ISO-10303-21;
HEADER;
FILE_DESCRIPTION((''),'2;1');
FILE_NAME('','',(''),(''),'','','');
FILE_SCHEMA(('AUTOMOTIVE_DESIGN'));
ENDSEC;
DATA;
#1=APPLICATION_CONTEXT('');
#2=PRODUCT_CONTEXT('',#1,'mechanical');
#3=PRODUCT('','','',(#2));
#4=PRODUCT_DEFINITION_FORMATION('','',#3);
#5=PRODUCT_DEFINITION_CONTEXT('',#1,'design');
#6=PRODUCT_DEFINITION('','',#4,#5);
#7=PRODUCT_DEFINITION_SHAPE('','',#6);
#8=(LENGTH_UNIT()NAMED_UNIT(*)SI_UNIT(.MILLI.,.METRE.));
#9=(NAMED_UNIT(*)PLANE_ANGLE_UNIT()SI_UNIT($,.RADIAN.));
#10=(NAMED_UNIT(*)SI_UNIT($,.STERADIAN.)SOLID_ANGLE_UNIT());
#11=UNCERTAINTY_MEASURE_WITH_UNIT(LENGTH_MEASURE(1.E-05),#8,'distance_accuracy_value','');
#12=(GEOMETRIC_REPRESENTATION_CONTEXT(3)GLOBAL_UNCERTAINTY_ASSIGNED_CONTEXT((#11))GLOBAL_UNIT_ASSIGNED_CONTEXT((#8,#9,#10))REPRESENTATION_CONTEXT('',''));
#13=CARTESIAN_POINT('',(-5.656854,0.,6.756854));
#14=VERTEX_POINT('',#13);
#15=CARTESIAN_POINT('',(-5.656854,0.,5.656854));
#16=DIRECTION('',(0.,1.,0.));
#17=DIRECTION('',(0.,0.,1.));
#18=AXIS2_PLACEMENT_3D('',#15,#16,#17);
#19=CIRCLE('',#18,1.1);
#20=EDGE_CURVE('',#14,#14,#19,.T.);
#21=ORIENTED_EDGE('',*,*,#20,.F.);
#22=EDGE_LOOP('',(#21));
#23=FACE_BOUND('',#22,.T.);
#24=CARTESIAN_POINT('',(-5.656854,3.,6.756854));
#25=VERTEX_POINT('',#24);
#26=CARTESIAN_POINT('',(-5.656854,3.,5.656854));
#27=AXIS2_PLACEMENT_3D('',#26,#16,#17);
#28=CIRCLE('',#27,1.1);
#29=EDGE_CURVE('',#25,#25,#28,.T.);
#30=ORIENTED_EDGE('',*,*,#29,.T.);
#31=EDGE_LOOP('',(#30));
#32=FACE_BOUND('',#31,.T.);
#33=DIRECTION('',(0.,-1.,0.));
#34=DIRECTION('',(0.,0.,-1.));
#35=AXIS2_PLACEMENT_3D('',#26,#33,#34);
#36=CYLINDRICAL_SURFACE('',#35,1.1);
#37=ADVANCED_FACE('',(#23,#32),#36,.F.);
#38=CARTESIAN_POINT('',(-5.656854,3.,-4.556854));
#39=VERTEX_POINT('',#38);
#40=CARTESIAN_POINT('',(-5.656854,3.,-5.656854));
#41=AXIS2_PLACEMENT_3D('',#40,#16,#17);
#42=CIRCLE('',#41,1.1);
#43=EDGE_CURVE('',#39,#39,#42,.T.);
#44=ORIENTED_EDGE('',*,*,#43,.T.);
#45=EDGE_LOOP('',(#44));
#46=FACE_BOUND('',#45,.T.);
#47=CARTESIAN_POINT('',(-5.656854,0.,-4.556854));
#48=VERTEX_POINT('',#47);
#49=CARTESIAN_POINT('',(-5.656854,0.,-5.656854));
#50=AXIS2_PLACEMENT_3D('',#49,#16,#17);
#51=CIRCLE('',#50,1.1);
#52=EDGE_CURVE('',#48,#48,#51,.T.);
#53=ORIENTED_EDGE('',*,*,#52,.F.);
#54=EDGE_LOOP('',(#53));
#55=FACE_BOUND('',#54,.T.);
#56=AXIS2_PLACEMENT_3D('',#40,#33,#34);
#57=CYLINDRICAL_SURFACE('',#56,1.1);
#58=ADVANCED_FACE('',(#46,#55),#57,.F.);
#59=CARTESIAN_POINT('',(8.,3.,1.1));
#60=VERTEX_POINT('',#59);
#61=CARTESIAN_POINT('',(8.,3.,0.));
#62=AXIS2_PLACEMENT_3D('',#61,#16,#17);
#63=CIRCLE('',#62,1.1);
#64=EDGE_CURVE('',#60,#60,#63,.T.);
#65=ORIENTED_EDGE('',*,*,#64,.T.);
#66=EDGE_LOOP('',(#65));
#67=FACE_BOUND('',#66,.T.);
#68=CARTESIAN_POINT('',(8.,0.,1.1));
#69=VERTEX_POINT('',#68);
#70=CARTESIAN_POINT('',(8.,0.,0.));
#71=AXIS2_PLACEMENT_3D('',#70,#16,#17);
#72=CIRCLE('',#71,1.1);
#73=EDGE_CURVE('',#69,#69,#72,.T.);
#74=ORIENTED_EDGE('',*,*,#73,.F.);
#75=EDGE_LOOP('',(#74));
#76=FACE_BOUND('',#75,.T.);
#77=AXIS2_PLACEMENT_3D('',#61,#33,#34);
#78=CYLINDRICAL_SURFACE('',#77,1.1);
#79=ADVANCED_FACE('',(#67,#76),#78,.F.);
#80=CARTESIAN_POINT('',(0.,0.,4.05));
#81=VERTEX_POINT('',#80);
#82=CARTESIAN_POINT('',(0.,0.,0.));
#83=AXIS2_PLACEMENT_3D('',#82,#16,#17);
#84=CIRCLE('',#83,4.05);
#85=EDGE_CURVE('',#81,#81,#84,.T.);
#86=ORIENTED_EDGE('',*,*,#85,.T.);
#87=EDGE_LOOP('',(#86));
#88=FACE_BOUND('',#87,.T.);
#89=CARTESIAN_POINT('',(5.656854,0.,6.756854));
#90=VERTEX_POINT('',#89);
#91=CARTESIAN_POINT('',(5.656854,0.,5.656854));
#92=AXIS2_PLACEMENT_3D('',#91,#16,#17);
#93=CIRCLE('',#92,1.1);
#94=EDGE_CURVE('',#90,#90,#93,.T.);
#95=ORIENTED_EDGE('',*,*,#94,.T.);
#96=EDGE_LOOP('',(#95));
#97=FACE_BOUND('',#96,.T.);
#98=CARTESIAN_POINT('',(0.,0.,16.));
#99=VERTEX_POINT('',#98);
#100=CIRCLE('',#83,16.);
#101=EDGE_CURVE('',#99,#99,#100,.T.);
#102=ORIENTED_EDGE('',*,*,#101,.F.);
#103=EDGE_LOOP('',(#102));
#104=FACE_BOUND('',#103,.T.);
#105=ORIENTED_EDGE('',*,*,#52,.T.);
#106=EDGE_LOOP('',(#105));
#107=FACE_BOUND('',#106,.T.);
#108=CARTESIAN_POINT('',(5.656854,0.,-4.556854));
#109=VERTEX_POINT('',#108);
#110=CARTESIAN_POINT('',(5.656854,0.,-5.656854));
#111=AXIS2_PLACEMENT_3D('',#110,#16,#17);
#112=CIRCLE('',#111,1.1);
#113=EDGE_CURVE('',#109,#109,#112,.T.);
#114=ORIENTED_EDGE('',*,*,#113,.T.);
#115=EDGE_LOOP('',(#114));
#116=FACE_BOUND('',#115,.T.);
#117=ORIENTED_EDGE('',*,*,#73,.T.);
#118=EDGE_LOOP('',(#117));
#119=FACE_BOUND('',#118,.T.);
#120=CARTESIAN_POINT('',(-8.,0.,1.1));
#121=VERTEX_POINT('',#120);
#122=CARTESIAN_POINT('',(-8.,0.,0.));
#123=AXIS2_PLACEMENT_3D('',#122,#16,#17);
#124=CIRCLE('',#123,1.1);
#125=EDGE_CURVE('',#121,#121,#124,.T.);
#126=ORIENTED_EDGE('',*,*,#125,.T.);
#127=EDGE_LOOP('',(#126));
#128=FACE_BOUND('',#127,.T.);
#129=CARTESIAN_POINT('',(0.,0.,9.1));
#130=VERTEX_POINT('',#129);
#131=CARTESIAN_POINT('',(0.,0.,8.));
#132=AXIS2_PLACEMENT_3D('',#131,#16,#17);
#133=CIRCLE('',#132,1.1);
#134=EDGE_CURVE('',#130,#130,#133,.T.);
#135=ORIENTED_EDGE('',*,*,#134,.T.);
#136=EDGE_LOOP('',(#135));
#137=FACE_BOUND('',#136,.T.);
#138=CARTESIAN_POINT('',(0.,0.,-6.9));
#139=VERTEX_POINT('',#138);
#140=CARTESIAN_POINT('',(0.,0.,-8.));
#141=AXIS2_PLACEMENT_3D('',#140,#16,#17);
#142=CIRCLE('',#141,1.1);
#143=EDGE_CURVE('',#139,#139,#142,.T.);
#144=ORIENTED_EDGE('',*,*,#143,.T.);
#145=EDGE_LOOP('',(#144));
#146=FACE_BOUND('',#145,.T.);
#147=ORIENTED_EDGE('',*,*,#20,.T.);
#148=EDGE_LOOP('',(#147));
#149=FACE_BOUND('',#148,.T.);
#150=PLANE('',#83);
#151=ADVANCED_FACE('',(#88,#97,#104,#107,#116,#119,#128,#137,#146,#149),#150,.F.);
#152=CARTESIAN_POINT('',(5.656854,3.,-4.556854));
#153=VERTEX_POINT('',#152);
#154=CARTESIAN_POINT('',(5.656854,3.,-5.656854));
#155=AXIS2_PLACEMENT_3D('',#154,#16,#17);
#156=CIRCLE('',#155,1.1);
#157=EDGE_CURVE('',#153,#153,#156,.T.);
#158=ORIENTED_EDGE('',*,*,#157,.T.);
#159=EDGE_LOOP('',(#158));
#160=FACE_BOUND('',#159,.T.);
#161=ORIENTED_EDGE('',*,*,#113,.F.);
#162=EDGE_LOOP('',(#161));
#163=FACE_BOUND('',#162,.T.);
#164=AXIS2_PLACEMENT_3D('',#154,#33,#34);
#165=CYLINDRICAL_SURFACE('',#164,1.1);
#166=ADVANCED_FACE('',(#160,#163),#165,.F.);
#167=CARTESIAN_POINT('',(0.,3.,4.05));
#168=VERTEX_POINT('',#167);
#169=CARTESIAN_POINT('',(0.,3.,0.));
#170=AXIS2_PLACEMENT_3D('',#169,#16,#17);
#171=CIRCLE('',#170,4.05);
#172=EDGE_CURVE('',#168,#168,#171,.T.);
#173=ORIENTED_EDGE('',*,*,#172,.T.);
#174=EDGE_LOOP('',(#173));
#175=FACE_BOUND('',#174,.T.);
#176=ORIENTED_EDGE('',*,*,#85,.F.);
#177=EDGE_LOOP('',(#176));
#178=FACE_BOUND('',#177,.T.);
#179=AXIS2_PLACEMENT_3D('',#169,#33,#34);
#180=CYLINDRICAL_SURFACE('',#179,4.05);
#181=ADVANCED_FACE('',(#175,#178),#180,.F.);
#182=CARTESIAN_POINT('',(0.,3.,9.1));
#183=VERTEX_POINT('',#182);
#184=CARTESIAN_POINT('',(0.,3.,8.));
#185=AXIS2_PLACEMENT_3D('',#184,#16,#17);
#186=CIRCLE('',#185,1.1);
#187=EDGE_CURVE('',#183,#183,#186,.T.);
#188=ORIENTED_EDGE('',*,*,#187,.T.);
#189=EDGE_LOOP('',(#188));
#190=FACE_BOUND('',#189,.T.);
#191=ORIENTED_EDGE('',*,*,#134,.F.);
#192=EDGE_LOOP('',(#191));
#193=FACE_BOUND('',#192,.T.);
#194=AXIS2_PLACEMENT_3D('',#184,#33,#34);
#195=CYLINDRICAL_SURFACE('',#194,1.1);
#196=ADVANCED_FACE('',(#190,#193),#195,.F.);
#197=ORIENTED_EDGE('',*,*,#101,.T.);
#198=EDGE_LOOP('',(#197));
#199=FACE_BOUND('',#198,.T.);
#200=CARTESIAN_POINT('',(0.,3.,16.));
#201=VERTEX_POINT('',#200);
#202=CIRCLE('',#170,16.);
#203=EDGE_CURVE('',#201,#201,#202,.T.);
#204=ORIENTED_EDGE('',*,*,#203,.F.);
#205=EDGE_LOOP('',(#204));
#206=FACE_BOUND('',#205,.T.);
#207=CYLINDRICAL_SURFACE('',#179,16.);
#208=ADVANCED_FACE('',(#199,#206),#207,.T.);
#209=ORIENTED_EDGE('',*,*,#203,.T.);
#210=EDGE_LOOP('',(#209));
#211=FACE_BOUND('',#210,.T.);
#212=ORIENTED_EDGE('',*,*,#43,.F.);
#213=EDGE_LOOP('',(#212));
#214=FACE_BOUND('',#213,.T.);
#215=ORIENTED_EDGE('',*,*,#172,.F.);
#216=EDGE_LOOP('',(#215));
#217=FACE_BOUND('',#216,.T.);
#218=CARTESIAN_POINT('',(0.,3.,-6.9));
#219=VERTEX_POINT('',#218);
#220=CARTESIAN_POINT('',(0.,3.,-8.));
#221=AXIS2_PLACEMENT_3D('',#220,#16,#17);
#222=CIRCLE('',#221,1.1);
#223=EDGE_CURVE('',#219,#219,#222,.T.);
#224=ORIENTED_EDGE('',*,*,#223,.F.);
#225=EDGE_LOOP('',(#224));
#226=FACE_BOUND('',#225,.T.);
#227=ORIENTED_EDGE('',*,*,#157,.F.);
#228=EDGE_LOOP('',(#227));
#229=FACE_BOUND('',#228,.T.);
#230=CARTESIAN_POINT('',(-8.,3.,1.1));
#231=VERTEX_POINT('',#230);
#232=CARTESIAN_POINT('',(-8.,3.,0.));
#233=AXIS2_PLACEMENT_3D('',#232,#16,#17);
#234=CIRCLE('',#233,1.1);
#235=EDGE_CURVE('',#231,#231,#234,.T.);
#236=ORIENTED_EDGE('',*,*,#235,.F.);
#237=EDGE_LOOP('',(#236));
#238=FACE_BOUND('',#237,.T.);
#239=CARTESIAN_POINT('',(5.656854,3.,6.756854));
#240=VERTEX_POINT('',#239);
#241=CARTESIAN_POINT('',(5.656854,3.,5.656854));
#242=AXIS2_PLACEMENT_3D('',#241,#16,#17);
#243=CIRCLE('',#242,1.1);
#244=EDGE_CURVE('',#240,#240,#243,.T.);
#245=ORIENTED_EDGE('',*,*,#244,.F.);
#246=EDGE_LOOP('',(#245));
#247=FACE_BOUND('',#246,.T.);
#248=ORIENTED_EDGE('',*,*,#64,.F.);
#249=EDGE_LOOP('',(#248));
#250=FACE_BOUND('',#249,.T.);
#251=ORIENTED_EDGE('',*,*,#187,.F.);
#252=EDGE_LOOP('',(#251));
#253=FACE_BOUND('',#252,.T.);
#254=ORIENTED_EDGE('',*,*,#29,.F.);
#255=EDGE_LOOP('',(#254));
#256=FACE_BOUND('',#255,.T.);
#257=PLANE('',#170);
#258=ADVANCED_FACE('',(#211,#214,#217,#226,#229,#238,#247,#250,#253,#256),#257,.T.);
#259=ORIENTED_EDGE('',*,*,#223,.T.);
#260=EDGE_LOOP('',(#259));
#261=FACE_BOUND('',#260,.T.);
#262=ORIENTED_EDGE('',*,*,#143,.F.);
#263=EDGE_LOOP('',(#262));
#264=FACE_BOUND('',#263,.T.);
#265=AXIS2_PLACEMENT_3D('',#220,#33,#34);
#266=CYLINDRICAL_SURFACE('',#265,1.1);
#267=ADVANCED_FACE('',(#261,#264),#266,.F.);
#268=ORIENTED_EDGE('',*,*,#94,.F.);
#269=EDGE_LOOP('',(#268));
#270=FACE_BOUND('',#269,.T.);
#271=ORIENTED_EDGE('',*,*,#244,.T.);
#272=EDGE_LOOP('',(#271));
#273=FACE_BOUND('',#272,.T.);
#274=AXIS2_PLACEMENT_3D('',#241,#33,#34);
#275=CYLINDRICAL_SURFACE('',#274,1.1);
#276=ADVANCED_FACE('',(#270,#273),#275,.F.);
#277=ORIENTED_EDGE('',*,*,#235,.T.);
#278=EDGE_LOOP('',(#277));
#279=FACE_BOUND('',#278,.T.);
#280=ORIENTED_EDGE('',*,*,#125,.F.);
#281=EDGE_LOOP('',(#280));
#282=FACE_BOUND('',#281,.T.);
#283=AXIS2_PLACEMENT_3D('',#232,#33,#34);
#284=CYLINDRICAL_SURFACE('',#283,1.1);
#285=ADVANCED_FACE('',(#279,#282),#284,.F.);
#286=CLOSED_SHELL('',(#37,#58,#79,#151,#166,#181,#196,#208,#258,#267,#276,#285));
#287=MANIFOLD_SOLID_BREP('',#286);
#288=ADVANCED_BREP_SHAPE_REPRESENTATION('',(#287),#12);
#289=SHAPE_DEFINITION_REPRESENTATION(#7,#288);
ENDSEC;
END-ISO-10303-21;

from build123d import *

# Parameters (mm, degrees)
SKETCH1_R           = 16
SKETCH1_R_2         = 4.05
SKETCH1_R_3         = 1.1
BOSS_EXTRUDE1_DEPTH = 3


with BuildPart() as part:
    # Sketch1 → Boss-Extrude1 (new body)
    with BuildSketch(Plane(origin=(0, 0, 0), x_dir=(1, 0, 0), z_dir=(0, 1, 0))):
        with Locations(Location((0, 0, 0), (0, 0, 270))):
            Circle(SKETCH1_R)
        with Locations(Location((0, 0, 0), (0, 0, 270))):
            Circle(SKETCH1_R_2, mode=Mode.SUBTRACT)
        with Locations(Location((0, 8, 0), (0, 0, 270))):
            Circle(SKETCH1_R_3, mode=Mode.SUBTRACT)
        with Locations(Location((5.656854249, 5.656854249, 0), (0, 0, 270))):
            Circle(SKETCH1_R_3, mode=Mode.SUBTRACT)
        with Locations(Location((8, 0, 0), (0, 0, 270))):
            Circle(SKETCH1_R_3, mode=Mode.SUBTRACT)
        with Locations(Location((5.656854249, -5.656854249, 0), (0, 0, 270))):
            Circle(SKETCH1_R_3, mode=Mode.SUBTRACT)
        with Locations(Location((0, -8, 0), (0, 0, 270))):
            Circle(SKETCH1_R_3, mode=Mode.SUBTRACT)
        with Locations(Location((-5.656854249, -5.656854249, 0), (0, 0, 270))):
            Circle(SKETCH1_R_3, mode=Mode.SUBTRACT)
        with Locations(Location((-8, 0, 0), (0, 0, 270))):
            Circle(SKETCH1_R_3, mode=Mode.SUBTRACT)
        with Locations(Location((-5.656854249, 5.656854249, 0), (0, 0, 270))):
            Circle(SKETCH1_R_3, mode=Mode.SUBTRACT)
    extrude(amount=BOSS_EXTRUDE1_DEPTH)


solid = part.part
